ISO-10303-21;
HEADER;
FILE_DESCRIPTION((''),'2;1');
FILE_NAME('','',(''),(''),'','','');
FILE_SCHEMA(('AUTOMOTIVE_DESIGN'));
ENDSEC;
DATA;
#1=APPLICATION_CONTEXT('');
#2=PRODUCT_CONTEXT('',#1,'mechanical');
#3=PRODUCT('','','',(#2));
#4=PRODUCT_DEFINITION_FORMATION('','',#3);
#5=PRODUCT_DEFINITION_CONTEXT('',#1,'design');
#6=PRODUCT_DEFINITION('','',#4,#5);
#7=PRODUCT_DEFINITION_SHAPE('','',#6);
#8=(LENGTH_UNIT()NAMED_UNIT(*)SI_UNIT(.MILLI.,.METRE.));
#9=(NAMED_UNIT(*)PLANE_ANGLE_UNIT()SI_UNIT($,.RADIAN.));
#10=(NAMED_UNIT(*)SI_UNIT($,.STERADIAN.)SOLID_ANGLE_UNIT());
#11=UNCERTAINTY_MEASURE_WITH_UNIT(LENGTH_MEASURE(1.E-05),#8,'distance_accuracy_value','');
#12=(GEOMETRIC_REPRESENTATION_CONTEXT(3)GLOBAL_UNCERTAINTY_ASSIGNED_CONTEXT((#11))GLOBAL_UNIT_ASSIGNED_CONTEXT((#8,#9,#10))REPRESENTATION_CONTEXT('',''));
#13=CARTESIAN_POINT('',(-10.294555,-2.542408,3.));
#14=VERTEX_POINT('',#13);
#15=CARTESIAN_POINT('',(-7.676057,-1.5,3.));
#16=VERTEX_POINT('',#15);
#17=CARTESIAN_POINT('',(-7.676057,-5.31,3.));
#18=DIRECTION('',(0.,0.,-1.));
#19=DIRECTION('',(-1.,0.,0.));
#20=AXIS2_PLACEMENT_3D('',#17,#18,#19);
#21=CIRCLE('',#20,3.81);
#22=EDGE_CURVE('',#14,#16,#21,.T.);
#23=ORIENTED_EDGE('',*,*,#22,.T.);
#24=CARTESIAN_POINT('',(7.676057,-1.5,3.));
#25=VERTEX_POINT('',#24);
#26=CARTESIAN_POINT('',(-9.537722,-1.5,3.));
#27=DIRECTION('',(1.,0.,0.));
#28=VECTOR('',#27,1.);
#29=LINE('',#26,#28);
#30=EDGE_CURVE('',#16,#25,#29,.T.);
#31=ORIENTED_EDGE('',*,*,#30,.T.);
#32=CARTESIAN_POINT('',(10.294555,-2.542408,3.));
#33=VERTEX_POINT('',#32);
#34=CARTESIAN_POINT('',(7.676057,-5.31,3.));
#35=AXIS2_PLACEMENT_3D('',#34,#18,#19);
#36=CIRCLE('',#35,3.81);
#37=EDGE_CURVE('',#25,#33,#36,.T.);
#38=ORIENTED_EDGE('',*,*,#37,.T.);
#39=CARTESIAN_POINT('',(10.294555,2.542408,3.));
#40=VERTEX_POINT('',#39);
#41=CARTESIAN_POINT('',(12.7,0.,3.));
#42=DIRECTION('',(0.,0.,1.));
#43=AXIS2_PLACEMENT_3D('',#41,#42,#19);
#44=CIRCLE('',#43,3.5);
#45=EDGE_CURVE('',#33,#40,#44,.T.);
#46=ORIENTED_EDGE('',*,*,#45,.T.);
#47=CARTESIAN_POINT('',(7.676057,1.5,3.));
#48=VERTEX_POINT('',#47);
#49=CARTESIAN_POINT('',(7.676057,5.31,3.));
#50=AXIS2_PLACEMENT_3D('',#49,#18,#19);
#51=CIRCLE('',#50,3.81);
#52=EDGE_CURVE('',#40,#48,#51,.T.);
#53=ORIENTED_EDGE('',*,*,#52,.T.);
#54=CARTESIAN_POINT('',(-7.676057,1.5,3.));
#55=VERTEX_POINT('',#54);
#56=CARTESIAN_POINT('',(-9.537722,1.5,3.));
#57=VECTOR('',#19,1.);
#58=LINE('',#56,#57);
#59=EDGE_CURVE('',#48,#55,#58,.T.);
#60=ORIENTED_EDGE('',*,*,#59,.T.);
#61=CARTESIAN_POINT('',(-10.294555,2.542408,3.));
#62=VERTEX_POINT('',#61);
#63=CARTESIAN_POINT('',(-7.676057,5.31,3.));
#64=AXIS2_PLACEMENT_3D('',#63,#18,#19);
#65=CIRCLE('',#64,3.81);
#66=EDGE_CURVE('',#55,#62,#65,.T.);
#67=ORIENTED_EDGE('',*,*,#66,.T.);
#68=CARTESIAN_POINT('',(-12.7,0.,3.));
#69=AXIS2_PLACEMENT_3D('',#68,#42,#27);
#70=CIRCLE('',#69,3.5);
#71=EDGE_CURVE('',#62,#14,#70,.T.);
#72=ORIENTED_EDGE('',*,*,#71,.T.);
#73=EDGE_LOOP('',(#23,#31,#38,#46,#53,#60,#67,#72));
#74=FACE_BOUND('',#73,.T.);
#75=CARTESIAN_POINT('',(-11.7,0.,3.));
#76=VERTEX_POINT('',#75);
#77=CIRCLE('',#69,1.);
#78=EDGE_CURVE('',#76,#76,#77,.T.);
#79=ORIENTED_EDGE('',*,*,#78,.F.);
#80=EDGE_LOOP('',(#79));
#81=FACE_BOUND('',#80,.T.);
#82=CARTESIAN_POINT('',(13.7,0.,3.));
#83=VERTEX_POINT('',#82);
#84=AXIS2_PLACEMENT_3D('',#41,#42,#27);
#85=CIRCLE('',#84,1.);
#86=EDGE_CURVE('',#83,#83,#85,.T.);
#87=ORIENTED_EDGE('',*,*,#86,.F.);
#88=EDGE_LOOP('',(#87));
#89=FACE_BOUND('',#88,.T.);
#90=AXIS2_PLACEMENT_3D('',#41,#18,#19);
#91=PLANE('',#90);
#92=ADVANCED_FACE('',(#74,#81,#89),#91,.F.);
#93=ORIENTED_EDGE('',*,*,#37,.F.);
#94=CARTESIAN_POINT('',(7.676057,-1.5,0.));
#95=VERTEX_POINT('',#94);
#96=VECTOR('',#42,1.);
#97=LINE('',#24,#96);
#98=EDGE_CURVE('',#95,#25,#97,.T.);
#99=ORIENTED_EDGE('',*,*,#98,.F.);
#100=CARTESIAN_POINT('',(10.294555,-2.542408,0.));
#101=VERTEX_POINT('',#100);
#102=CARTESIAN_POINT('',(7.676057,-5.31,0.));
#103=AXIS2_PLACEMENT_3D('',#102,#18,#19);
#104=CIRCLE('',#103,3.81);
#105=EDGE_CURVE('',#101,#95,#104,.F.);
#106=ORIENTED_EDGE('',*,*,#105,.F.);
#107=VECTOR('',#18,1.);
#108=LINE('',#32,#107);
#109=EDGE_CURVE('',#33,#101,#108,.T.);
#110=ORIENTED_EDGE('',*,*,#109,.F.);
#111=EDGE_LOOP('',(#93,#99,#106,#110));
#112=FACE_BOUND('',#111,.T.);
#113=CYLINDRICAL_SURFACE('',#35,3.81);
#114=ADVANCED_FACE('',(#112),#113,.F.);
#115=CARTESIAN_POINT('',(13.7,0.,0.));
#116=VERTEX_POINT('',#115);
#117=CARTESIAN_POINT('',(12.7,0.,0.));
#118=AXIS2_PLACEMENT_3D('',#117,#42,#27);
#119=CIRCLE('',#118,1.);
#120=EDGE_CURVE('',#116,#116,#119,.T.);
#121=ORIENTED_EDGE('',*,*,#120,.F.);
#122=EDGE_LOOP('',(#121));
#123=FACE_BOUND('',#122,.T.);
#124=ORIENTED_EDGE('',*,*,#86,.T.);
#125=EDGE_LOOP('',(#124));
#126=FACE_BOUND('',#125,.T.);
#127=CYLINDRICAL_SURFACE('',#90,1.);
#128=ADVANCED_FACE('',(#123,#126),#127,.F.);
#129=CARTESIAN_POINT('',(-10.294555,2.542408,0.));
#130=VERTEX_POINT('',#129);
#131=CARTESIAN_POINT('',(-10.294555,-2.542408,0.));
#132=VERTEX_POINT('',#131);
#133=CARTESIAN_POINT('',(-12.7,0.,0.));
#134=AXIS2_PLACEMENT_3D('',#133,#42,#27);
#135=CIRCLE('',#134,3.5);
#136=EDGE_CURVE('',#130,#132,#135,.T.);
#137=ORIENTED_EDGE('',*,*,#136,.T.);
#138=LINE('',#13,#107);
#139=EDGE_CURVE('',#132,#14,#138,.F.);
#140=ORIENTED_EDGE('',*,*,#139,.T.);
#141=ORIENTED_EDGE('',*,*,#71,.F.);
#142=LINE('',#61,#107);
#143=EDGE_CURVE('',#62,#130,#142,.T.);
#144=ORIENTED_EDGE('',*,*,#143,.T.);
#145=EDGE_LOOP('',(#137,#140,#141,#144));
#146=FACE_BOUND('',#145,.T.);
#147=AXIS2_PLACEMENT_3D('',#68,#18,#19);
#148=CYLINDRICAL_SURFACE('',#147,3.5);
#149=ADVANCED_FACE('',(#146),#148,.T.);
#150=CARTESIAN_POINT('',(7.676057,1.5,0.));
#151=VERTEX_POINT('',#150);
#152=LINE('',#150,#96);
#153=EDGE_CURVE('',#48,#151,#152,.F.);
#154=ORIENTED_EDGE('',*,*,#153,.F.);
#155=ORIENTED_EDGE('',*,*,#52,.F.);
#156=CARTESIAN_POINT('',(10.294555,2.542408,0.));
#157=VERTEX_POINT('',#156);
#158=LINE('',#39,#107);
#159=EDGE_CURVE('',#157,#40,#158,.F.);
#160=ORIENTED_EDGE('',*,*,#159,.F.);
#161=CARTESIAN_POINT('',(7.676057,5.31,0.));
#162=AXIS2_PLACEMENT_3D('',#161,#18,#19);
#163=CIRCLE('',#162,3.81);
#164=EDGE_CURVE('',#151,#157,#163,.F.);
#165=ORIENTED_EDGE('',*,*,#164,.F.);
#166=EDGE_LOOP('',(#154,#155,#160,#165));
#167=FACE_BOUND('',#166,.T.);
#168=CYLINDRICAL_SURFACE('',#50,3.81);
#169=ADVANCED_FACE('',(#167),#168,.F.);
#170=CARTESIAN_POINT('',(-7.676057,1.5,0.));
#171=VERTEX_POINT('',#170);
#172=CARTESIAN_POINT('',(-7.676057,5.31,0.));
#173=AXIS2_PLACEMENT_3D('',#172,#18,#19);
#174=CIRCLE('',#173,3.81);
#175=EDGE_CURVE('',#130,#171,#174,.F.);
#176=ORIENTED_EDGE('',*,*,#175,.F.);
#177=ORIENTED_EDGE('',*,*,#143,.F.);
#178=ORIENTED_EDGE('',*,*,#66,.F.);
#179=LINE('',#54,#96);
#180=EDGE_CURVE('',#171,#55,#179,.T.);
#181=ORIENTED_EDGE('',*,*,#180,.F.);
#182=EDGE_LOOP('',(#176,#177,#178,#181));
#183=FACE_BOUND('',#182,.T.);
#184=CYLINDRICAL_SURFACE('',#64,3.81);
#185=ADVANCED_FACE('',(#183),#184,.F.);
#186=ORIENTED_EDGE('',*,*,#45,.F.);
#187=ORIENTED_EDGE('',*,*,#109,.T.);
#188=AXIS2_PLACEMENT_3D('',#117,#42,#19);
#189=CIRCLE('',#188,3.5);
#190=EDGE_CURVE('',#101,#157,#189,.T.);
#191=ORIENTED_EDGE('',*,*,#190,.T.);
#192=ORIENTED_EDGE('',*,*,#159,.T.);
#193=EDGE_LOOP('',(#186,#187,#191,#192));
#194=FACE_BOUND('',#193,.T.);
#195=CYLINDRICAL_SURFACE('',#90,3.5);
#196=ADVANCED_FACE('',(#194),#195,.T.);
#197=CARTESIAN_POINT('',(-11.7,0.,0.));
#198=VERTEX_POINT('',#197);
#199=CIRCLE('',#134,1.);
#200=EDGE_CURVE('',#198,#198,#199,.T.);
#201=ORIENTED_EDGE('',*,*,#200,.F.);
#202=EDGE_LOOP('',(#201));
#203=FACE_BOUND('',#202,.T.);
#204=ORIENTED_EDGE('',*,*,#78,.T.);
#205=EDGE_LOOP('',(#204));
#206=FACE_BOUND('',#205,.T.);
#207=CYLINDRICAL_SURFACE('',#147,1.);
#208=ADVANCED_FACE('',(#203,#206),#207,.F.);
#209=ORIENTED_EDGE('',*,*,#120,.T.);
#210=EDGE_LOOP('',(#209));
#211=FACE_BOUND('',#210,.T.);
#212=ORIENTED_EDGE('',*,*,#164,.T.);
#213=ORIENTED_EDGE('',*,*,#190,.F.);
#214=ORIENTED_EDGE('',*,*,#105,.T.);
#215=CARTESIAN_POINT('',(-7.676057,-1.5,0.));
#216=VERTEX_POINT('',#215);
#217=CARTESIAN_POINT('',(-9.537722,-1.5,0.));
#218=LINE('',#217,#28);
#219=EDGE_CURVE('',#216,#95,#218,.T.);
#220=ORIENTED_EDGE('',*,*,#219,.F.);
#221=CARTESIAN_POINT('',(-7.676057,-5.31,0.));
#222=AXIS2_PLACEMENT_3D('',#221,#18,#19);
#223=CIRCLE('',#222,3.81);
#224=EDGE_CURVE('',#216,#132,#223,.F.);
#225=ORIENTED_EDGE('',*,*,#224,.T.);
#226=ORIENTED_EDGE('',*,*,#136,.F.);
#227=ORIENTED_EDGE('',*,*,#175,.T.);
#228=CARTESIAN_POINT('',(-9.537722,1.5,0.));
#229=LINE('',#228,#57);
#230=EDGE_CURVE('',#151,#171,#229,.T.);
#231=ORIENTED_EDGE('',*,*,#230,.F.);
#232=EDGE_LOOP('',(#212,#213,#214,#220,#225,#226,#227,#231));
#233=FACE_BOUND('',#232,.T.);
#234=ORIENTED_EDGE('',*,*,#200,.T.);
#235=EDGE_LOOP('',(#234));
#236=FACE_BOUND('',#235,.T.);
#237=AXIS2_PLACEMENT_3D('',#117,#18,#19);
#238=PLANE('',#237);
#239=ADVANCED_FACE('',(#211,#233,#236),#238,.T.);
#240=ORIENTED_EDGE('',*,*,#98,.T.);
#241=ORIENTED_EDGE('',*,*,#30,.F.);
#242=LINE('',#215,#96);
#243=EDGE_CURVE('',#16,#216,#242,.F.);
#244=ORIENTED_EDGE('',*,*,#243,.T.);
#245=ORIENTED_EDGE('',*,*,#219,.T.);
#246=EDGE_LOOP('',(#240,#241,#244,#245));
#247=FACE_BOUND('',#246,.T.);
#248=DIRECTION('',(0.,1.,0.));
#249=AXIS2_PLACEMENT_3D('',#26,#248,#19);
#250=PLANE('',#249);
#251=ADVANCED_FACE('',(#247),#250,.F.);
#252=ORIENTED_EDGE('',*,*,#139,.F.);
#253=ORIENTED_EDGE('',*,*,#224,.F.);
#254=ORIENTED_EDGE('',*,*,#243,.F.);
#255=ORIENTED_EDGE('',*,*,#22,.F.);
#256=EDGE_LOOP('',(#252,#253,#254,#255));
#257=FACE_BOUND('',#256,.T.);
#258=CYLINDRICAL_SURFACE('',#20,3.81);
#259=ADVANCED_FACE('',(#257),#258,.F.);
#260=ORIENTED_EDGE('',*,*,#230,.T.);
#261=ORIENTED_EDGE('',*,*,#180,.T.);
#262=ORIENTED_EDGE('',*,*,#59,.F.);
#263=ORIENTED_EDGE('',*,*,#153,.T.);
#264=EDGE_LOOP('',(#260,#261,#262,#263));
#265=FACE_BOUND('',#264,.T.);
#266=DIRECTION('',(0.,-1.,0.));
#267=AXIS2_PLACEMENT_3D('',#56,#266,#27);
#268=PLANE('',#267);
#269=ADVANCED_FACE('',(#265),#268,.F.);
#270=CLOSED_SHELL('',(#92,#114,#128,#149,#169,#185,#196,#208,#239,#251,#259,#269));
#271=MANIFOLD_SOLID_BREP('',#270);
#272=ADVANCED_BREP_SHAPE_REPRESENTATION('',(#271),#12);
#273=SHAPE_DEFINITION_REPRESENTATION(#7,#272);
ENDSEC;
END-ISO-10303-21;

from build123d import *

# Parameters (mm, degrees)
SKETCH_1_R      = 1
EXTRUDE_1_DEPTH = 3
FILLET_1_R      = 3.81


with BuildPart() as part:
    # 스케치1 → 보스-돌출1 (new body)
    with BuildSketch(Plane.XY):
        with BuildLine():
            Line((-9.53772234, -1.5), (9.53772234, -1.5))
            ThreePointArc((9.53772234, -1.5), (16.2, 0), (9.53772234, 1.5))
            Line((9.53772234, 1.5), (-9.53772234, 1.5))
            ThreePointArc((-9.53772234, 1.5), (-16.2, 0), (-9.53772234, -1.5))
        make_face()
        with Locations((-12.7, 0)):
            Circle(SKETCH_1_R, mode=Mode.SUBTRACT)
        with Locations((12.7, 0)):
            Circle(SKETCH_1_R, mode=Mode.SUBTRACT)
    extrude(amount=EXTRUDE_1_DEPTH)

    # 필렛1
    fillet_1_edges = [part.edges().sort_by_distance(p)[0] for p in [
        (9.53772234, -1.5, 1.5),
        (-9.53772234, -1.5, 1.5),
        (-9.53772234, 1.5, 1.5),
        (9.53772234, 1.5, 1.5),
    ]]
    fillet(fillet_1_edges, radius=FILLET_1_R)


solid = part.part
